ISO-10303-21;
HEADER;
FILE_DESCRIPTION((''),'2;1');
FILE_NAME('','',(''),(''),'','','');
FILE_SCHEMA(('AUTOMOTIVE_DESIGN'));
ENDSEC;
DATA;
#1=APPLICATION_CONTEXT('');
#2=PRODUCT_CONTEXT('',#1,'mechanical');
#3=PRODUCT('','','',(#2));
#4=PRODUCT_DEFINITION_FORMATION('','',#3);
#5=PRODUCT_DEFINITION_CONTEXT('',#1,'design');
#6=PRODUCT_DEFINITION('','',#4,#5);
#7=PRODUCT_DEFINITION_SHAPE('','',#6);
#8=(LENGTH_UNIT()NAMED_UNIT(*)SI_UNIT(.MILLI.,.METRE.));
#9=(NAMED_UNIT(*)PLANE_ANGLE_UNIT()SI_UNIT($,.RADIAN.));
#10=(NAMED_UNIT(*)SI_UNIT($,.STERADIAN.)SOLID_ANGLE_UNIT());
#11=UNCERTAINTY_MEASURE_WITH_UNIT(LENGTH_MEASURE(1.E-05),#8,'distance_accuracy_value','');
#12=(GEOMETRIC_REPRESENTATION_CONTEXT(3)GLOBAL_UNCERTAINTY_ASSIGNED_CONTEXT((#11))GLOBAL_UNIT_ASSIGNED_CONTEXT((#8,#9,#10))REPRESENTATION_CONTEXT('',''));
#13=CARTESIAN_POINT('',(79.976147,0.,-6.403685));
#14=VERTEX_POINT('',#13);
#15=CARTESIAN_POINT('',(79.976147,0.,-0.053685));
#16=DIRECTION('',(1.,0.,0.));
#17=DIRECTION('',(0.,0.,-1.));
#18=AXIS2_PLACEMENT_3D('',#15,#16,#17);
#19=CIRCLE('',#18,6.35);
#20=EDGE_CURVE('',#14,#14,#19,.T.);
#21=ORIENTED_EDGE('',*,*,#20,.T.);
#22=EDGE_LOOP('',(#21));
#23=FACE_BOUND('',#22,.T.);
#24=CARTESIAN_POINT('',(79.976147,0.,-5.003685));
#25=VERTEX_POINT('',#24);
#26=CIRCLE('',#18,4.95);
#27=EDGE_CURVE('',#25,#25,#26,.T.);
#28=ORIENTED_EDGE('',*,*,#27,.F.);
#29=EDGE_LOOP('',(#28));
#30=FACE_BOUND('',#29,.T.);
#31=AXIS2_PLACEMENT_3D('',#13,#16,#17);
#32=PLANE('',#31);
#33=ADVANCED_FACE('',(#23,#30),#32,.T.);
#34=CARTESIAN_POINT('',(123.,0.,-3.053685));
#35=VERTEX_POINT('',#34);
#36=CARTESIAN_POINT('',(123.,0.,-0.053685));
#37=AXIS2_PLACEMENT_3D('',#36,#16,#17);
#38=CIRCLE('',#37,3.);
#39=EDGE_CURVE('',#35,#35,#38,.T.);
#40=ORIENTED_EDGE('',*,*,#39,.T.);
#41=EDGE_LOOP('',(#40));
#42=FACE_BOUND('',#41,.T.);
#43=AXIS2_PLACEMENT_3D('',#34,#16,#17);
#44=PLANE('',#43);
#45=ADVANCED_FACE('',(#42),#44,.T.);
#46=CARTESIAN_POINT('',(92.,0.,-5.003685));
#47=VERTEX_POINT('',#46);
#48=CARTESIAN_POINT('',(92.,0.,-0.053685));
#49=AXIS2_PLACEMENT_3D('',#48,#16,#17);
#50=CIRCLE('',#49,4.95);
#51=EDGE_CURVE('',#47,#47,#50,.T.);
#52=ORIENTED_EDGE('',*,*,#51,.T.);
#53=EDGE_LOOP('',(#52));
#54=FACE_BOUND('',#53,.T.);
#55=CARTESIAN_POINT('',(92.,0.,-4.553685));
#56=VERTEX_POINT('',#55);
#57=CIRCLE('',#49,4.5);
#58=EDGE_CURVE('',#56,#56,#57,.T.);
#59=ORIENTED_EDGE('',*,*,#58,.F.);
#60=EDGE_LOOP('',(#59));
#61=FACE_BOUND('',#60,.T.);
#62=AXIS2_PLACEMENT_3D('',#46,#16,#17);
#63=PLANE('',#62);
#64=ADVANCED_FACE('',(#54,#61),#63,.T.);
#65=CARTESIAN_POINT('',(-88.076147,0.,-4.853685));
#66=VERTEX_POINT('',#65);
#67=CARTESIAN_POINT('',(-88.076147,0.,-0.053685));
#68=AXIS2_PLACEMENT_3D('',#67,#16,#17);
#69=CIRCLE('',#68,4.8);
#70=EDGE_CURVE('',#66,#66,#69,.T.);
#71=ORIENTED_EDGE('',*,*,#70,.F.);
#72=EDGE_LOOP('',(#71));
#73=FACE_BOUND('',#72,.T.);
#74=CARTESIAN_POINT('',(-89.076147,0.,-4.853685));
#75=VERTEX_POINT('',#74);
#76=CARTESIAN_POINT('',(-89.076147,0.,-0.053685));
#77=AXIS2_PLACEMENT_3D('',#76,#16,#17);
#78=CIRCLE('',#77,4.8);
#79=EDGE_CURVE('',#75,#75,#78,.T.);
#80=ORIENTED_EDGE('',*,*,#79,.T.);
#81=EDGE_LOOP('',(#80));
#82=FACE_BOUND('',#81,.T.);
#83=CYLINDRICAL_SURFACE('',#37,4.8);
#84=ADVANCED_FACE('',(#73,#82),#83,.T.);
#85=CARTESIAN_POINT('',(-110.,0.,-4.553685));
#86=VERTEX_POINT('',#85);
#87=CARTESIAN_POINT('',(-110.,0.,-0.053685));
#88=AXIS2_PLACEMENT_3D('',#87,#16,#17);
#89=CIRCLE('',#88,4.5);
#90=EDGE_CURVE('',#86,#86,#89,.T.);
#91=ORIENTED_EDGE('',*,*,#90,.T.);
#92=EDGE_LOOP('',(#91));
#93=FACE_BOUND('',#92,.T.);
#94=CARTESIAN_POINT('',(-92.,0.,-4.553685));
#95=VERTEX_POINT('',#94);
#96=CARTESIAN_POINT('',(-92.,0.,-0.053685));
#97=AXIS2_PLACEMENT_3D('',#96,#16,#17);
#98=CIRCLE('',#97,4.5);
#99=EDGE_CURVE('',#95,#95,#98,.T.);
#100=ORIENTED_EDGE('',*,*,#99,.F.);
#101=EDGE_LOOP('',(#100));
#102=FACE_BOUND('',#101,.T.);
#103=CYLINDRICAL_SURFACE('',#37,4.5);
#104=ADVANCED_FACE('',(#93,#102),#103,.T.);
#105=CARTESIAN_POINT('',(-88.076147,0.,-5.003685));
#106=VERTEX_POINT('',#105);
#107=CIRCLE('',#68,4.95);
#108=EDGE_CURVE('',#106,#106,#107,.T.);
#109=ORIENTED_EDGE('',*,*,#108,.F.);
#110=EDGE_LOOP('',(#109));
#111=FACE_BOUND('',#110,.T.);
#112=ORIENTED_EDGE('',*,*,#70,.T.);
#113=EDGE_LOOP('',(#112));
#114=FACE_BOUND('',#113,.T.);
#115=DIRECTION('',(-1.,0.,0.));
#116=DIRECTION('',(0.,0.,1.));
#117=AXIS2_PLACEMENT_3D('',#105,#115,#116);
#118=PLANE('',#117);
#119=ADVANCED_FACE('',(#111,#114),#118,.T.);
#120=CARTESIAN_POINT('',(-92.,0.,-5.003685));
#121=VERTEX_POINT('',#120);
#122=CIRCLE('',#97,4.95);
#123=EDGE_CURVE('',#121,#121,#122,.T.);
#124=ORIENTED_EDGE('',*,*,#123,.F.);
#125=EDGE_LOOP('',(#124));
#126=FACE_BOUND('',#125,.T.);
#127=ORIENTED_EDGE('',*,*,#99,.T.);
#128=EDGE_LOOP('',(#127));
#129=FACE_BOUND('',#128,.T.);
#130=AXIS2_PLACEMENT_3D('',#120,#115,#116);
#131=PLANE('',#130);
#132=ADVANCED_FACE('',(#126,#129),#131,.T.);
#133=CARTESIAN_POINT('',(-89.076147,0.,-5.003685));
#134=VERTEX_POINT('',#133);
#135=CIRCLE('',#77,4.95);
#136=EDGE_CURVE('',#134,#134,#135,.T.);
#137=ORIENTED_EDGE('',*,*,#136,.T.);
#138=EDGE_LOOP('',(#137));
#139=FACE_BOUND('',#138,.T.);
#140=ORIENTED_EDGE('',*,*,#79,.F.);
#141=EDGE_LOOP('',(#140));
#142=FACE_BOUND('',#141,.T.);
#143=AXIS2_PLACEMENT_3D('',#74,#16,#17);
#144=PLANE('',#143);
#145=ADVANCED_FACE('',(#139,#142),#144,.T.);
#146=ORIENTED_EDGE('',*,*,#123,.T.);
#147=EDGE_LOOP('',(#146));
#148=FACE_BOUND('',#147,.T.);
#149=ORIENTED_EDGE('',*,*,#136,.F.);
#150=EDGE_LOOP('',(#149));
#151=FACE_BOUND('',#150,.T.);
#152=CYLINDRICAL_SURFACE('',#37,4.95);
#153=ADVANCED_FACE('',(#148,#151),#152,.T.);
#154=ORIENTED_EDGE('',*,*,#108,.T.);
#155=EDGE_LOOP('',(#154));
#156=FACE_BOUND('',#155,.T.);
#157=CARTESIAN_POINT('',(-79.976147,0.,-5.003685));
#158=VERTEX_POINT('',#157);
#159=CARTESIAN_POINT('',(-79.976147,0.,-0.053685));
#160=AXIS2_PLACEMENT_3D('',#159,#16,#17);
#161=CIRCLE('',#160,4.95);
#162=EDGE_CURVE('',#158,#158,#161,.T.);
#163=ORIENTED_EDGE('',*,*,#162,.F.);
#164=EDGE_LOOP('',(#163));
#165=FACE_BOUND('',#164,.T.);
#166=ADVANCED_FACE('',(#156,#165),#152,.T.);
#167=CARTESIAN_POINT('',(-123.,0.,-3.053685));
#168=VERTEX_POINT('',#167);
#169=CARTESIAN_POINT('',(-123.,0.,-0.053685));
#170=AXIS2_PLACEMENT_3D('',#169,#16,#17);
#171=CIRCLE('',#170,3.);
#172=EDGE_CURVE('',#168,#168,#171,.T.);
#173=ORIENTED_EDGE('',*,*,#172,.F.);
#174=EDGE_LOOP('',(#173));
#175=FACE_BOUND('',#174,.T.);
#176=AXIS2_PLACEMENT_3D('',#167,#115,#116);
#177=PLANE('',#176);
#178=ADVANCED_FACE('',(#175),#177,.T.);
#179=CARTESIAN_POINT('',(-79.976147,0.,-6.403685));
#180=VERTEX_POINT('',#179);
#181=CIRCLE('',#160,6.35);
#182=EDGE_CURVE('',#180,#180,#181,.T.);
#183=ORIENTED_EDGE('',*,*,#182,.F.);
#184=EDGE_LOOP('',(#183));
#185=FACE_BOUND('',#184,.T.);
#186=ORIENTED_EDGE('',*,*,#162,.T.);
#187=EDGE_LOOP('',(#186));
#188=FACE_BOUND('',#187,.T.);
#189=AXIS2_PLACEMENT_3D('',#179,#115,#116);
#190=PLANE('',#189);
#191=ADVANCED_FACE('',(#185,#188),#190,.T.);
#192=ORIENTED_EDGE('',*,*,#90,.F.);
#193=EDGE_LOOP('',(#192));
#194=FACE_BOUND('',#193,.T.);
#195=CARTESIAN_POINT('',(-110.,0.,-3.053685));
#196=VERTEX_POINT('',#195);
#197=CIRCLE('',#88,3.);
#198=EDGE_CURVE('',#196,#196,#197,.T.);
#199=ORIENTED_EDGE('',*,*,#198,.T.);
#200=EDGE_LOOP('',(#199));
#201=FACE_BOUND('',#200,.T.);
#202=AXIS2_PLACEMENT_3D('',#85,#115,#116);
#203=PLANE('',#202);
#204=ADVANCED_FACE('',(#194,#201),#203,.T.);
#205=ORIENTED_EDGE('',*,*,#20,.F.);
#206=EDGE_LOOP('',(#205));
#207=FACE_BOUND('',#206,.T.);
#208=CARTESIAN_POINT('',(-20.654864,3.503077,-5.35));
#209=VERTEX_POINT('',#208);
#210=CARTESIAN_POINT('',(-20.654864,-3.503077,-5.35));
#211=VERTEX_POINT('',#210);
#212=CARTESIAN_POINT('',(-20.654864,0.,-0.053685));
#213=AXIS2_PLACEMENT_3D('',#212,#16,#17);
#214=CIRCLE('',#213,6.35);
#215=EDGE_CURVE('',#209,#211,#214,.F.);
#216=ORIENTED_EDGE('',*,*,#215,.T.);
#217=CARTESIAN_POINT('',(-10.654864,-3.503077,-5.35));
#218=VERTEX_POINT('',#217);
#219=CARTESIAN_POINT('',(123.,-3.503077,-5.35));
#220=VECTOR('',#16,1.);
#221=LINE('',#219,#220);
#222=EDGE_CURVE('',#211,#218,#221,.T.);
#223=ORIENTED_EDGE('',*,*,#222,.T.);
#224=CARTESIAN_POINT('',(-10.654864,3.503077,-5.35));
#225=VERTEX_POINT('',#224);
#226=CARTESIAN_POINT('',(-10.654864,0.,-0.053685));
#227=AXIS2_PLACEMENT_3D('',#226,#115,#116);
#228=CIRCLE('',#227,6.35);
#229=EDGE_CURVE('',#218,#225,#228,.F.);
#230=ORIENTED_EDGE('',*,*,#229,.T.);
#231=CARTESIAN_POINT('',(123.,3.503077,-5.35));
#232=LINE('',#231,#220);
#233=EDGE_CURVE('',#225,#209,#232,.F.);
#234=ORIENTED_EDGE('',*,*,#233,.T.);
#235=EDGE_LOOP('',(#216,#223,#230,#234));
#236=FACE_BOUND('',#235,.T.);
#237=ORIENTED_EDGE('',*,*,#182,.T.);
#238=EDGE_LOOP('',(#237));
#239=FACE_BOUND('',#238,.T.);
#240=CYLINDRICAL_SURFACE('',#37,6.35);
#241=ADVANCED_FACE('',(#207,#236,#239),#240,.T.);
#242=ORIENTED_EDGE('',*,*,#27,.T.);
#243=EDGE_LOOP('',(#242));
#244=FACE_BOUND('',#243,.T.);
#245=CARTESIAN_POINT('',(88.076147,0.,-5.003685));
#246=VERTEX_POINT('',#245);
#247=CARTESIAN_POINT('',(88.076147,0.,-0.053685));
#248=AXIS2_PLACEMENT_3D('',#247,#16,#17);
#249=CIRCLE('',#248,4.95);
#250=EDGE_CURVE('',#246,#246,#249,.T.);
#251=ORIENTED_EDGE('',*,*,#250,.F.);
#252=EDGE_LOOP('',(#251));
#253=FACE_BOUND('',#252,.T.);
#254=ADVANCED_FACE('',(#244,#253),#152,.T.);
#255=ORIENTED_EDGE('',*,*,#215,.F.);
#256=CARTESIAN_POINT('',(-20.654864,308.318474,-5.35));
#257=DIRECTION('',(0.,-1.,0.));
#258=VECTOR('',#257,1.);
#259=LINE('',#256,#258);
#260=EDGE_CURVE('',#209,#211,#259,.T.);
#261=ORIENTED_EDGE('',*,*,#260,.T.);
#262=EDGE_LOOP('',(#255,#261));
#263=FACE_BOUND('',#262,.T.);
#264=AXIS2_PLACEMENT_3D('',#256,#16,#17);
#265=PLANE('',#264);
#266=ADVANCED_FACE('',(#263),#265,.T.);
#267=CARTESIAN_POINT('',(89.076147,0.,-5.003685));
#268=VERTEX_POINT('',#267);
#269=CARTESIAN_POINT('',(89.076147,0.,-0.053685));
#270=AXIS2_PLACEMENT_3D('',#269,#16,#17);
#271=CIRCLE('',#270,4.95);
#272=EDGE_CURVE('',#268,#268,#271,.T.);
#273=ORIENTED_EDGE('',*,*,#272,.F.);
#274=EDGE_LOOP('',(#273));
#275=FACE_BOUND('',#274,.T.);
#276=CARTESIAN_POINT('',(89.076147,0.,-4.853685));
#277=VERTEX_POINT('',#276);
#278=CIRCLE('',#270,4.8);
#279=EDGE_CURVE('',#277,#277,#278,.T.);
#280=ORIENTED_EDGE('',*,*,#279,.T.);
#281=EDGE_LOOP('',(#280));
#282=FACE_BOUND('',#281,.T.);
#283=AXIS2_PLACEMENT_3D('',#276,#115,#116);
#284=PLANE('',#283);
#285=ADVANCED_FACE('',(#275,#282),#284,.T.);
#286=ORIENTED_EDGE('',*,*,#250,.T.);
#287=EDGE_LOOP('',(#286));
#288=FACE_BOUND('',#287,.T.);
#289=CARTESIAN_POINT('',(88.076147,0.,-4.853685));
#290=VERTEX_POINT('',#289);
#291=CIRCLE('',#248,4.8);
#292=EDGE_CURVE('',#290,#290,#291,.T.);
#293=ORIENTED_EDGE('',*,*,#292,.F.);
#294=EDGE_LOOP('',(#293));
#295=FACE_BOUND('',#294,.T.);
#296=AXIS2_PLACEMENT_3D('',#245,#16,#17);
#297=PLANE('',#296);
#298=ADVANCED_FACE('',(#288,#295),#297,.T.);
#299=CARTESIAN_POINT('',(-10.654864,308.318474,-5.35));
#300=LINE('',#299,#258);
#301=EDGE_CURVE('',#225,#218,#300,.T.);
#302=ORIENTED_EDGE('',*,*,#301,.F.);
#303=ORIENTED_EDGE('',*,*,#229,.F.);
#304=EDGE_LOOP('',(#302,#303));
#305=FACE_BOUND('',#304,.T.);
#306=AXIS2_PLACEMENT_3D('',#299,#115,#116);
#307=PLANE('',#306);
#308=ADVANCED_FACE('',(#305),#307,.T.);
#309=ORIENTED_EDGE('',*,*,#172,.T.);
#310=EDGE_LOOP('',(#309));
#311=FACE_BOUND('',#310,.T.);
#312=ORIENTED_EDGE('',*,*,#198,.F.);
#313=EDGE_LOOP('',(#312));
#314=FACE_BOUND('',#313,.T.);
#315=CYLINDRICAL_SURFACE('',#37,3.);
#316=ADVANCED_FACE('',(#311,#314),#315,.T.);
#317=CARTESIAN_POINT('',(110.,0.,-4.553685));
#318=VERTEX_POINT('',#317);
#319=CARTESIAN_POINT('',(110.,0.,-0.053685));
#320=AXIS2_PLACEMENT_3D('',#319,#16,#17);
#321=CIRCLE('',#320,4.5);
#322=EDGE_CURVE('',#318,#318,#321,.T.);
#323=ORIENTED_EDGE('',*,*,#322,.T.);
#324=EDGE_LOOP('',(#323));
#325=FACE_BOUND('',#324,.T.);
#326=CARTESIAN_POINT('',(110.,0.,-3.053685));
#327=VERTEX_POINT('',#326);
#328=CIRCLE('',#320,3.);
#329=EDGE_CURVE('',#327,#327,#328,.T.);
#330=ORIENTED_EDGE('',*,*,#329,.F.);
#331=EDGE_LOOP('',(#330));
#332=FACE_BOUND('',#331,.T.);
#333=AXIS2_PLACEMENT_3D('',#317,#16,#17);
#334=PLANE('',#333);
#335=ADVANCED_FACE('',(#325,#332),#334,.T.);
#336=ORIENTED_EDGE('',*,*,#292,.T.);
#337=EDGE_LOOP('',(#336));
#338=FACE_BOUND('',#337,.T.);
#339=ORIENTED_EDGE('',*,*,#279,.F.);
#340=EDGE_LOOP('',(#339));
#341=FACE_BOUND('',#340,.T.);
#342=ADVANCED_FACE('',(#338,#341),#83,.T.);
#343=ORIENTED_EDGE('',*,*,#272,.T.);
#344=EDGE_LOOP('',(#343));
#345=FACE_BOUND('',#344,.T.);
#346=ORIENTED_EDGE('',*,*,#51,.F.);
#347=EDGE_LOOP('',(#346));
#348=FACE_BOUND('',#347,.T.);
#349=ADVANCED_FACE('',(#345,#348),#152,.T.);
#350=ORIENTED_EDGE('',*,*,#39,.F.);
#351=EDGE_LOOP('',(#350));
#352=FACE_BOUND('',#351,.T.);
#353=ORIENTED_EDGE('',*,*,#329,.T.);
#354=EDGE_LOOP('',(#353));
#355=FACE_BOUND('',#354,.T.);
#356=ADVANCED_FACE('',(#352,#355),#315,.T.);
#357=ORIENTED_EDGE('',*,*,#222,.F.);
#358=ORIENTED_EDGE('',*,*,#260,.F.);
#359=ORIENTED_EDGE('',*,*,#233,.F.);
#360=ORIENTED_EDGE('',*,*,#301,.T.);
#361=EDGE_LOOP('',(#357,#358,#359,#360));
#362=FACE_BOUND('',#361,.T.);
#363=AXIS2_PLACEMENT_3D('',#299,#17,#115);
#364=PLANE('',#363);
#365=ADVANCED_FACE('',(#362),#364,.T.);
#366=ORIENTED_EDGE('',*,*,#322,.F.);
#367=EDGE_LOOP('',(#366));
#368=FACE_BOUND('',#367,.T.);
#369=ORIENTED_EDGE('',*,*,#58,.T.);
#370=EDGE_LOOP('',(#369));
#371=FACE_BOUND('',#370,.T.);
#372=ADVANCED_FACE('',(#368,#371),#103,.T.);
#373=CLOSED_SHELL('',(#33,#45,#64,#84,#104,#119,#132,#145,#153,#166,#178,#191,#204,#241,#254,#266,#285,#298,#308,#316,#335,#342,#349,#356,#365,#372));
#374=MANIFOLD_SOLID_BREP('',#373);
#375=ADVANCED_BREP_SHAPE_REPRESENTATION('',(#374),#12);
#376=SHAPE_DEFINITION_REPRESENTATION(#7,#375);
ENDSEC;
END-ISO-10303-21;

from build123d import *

# Parameters (mm, degrees)
CUT_EXTRUDE1_DEPTH      = 124.33016533
CUT_EXTRUDE1_DEPTH_BACK = 124.33016533


with BuildPart() as part:
    # Sketch1 → Revolve1 (revolve)
    with BuildSketch(Plane(origin=(0, 0, 0), x_dir=(1, 0, 0), z_dir=(0, 1, 0))):
        Polygon((123, 0.053684898), (-123, 0.053684898), (-123, 3.053684898), (-110, 3.053684898), (-110, 4.553684898), (-92, 4.553684898), (-92, 5.003684898), (-89.076146667, 5.003684898), (-89.076146667, 4.853684898), (-88.076146667, 4.853684898), (-88.076146667, 5.003684898), (-79.976146667, 5.003684898), (-79.976146667, 6.403684898), (79.976146667, 6.403684898), (79.976146667, 5.003684898), (88.076146667, 5.003684898), (88.076146667, 4.853684898), (89.076146667, 4.853684898), (89.076146667, 5.003684898), (92, 5.003684898), (92, 4.553684898), (110, 4.553684898), (110, 3.053684898), (123, 3.053684898), align=None)
    revolve(axis=Axis((123, 0, -0.053684898), (-1, 0, 0)))

    # Sketch5 → Cut-Extrude1 (cut, two sides: drawn at the far end of the back side and taken through both)
    with BuildSketch(Plane(origin=(0, 0, 0), x_dir=(1, 0, 0), z_dir=(0, 1, 0)).offset(-CUT_EXTRUDE1_DEPTH_BACK)):
        Polygon((-10.654863746, 304.833987592), (-10.654863746, 6.403684898), (-10.654863746, 5.35), (-20.654863746, 5.35), (-20.654863746, 6.403684898), (-20.654863746, 304.833987592), (-20.654863746, 901.69459298), (-10.654863746, 901.69459298), align=None)
    extrude(amount=CUT_EXTRUDE1_DEPTH + CUT_EXTRUDE1_DEPTH_BACK, mode=Mode.SUBTRACT)


solid = part.part
